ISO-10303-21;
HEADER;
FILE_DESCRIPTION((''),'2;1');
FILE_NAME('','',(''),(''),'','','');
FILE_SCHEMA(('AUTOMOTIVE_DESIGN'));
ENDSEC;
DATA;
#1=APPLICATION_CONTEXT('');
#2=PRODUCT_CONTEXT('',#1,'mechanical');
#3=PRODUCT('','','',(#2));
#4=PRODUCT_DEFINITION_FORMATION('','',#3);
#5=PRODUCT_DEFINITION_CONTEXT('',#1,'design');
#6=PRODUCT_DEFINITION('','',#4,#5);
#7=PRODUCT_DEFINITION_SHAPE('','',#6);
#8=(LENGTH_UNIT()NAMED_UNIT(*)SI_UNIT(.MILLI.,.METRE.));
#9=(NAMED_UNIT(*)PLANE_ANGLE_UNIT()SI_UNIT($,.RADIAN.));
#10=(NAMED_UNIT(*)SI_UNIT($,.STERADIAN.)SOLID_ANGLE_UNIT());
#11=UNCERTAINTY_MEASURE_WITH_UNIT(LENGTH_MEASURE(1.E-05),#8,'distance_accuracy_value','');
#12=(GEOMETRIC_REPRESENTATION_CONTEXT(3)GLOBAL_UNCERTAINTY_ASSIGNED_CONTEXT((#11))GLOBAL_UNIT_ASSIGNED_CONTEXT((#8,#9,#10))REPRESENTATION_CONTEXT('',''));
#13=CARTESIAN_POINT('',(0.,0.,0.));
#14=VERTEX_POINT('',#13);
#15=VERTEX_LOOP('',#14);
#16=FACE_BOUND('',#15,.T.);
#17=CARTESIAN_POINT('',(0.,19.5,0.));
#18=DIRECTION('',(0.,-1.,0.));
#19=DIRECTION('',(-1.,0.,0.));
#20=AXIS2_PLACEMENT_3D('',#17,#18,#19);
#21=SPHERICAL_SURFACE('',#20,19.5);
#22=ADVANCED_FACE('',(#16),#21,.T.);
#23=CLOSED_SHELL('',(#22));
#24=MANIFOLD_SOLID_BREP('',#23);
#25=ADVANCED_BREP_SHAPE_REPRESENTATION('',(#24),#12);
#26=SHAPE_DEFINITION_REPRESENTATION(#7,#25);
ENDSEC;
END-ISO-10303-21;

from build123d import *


with BuildPart() as part:
    # 草圖1 → 旋轉1 (revolve)
    with BuildSketch(Plane.XY):
        with BuildLine():
            Line((0, 0), (0, 39))
            ThreePointArc((0, 39), (19.5, 19.5), (0, 0))
        make_face()
    revolve(axis=Axis((0, 0, 0), (0, 1, 0)))


solid = part.part
